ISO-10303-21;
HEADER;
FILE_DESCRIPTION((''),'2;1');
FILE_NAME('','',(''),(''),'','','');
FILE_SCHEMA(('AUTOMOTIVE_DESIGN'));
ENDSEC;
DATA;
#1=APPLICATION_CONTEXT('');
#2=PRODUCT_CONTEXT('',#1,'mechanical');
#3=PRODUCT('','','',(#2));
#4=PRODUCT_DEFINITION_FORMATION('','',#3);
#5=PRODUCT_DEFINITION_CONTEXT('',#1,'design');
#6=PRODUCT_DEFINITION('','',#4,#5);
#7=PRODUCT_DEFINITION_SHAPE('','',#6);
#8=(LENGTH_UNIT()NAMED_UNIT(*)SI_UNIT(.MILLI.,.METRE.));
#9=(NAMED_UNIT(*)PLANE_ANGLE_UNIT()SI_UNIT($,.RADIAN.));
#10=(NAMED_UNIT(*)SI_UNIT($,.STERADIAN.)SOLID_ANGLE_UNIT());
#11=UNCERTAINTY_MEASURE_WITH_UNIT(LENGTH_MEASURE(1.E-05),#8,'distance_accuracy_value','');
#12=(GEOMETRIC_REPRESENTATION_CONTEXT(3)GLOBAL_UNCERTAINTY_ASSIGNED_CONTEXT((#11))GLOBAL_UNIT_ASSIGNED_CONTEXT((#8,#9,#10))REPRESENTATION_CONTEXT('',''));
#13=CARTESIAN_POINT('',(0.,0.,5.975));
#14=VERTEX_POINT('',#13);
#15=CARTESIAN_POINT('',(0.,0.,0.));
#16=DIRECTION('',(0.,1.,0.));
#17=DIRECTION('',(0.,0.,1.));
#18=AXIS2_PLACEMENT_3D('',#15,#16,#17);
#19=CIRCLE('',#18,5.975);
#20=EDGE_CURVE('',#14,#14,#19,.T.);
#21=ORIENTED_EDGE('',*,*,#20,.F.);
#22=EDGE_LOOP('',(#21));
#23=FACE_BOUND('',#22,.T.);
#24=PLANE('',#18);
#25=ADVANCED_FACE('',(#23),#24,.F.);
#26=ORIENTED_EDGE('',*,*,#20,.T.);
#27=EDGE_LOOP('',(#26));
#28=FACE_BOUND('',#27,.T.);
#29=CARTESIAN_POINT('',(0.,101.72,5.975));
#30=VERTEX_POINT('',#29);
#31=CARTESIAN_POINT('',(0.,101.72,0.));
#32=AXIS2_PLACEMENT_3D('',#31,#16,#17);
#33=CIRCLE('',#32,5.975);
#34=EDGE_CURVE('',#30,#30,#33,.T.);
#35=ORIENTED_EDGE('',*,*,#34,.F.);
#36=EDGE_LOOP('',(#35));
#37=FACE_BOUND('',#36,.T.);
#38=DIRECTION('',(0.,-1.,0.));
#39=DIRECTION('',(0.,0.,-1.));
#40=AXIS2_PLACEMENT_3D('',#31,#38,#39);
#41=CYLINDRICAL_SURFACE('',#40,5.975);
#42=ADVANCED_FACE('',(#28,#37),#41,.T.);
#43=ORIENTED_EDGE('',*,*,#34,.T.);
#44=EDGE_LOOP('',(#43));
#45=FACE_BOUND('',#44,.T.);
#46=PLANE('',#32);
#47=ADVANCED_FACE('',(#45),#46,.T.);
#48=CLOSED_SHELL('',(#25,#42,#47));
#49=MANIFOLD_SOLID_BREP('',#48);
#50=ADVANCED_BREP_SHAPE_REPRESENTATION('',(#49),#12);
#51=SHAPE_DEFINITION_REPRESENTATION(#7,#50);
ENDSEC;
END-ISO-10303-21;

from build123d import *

# Parameters (mm, degrees)
CROQUIS1_R              = 5.975
SALIENTE_EXTRUIR1_DEPTH = 101.72


with BuildPart() as part:
    # Croquis1 → Saliente-Extruir1 (new body)
    with BuildSketch(Plane(origin=(0, 0, 0), x_dir=(1, 0, 0), z_dir=(0, 1, 0))):
        Circle(CROQUIS1_R)
    extrude(amount=SALIENTE_EXTRUIR1_DEPTH)


solid = part.part
